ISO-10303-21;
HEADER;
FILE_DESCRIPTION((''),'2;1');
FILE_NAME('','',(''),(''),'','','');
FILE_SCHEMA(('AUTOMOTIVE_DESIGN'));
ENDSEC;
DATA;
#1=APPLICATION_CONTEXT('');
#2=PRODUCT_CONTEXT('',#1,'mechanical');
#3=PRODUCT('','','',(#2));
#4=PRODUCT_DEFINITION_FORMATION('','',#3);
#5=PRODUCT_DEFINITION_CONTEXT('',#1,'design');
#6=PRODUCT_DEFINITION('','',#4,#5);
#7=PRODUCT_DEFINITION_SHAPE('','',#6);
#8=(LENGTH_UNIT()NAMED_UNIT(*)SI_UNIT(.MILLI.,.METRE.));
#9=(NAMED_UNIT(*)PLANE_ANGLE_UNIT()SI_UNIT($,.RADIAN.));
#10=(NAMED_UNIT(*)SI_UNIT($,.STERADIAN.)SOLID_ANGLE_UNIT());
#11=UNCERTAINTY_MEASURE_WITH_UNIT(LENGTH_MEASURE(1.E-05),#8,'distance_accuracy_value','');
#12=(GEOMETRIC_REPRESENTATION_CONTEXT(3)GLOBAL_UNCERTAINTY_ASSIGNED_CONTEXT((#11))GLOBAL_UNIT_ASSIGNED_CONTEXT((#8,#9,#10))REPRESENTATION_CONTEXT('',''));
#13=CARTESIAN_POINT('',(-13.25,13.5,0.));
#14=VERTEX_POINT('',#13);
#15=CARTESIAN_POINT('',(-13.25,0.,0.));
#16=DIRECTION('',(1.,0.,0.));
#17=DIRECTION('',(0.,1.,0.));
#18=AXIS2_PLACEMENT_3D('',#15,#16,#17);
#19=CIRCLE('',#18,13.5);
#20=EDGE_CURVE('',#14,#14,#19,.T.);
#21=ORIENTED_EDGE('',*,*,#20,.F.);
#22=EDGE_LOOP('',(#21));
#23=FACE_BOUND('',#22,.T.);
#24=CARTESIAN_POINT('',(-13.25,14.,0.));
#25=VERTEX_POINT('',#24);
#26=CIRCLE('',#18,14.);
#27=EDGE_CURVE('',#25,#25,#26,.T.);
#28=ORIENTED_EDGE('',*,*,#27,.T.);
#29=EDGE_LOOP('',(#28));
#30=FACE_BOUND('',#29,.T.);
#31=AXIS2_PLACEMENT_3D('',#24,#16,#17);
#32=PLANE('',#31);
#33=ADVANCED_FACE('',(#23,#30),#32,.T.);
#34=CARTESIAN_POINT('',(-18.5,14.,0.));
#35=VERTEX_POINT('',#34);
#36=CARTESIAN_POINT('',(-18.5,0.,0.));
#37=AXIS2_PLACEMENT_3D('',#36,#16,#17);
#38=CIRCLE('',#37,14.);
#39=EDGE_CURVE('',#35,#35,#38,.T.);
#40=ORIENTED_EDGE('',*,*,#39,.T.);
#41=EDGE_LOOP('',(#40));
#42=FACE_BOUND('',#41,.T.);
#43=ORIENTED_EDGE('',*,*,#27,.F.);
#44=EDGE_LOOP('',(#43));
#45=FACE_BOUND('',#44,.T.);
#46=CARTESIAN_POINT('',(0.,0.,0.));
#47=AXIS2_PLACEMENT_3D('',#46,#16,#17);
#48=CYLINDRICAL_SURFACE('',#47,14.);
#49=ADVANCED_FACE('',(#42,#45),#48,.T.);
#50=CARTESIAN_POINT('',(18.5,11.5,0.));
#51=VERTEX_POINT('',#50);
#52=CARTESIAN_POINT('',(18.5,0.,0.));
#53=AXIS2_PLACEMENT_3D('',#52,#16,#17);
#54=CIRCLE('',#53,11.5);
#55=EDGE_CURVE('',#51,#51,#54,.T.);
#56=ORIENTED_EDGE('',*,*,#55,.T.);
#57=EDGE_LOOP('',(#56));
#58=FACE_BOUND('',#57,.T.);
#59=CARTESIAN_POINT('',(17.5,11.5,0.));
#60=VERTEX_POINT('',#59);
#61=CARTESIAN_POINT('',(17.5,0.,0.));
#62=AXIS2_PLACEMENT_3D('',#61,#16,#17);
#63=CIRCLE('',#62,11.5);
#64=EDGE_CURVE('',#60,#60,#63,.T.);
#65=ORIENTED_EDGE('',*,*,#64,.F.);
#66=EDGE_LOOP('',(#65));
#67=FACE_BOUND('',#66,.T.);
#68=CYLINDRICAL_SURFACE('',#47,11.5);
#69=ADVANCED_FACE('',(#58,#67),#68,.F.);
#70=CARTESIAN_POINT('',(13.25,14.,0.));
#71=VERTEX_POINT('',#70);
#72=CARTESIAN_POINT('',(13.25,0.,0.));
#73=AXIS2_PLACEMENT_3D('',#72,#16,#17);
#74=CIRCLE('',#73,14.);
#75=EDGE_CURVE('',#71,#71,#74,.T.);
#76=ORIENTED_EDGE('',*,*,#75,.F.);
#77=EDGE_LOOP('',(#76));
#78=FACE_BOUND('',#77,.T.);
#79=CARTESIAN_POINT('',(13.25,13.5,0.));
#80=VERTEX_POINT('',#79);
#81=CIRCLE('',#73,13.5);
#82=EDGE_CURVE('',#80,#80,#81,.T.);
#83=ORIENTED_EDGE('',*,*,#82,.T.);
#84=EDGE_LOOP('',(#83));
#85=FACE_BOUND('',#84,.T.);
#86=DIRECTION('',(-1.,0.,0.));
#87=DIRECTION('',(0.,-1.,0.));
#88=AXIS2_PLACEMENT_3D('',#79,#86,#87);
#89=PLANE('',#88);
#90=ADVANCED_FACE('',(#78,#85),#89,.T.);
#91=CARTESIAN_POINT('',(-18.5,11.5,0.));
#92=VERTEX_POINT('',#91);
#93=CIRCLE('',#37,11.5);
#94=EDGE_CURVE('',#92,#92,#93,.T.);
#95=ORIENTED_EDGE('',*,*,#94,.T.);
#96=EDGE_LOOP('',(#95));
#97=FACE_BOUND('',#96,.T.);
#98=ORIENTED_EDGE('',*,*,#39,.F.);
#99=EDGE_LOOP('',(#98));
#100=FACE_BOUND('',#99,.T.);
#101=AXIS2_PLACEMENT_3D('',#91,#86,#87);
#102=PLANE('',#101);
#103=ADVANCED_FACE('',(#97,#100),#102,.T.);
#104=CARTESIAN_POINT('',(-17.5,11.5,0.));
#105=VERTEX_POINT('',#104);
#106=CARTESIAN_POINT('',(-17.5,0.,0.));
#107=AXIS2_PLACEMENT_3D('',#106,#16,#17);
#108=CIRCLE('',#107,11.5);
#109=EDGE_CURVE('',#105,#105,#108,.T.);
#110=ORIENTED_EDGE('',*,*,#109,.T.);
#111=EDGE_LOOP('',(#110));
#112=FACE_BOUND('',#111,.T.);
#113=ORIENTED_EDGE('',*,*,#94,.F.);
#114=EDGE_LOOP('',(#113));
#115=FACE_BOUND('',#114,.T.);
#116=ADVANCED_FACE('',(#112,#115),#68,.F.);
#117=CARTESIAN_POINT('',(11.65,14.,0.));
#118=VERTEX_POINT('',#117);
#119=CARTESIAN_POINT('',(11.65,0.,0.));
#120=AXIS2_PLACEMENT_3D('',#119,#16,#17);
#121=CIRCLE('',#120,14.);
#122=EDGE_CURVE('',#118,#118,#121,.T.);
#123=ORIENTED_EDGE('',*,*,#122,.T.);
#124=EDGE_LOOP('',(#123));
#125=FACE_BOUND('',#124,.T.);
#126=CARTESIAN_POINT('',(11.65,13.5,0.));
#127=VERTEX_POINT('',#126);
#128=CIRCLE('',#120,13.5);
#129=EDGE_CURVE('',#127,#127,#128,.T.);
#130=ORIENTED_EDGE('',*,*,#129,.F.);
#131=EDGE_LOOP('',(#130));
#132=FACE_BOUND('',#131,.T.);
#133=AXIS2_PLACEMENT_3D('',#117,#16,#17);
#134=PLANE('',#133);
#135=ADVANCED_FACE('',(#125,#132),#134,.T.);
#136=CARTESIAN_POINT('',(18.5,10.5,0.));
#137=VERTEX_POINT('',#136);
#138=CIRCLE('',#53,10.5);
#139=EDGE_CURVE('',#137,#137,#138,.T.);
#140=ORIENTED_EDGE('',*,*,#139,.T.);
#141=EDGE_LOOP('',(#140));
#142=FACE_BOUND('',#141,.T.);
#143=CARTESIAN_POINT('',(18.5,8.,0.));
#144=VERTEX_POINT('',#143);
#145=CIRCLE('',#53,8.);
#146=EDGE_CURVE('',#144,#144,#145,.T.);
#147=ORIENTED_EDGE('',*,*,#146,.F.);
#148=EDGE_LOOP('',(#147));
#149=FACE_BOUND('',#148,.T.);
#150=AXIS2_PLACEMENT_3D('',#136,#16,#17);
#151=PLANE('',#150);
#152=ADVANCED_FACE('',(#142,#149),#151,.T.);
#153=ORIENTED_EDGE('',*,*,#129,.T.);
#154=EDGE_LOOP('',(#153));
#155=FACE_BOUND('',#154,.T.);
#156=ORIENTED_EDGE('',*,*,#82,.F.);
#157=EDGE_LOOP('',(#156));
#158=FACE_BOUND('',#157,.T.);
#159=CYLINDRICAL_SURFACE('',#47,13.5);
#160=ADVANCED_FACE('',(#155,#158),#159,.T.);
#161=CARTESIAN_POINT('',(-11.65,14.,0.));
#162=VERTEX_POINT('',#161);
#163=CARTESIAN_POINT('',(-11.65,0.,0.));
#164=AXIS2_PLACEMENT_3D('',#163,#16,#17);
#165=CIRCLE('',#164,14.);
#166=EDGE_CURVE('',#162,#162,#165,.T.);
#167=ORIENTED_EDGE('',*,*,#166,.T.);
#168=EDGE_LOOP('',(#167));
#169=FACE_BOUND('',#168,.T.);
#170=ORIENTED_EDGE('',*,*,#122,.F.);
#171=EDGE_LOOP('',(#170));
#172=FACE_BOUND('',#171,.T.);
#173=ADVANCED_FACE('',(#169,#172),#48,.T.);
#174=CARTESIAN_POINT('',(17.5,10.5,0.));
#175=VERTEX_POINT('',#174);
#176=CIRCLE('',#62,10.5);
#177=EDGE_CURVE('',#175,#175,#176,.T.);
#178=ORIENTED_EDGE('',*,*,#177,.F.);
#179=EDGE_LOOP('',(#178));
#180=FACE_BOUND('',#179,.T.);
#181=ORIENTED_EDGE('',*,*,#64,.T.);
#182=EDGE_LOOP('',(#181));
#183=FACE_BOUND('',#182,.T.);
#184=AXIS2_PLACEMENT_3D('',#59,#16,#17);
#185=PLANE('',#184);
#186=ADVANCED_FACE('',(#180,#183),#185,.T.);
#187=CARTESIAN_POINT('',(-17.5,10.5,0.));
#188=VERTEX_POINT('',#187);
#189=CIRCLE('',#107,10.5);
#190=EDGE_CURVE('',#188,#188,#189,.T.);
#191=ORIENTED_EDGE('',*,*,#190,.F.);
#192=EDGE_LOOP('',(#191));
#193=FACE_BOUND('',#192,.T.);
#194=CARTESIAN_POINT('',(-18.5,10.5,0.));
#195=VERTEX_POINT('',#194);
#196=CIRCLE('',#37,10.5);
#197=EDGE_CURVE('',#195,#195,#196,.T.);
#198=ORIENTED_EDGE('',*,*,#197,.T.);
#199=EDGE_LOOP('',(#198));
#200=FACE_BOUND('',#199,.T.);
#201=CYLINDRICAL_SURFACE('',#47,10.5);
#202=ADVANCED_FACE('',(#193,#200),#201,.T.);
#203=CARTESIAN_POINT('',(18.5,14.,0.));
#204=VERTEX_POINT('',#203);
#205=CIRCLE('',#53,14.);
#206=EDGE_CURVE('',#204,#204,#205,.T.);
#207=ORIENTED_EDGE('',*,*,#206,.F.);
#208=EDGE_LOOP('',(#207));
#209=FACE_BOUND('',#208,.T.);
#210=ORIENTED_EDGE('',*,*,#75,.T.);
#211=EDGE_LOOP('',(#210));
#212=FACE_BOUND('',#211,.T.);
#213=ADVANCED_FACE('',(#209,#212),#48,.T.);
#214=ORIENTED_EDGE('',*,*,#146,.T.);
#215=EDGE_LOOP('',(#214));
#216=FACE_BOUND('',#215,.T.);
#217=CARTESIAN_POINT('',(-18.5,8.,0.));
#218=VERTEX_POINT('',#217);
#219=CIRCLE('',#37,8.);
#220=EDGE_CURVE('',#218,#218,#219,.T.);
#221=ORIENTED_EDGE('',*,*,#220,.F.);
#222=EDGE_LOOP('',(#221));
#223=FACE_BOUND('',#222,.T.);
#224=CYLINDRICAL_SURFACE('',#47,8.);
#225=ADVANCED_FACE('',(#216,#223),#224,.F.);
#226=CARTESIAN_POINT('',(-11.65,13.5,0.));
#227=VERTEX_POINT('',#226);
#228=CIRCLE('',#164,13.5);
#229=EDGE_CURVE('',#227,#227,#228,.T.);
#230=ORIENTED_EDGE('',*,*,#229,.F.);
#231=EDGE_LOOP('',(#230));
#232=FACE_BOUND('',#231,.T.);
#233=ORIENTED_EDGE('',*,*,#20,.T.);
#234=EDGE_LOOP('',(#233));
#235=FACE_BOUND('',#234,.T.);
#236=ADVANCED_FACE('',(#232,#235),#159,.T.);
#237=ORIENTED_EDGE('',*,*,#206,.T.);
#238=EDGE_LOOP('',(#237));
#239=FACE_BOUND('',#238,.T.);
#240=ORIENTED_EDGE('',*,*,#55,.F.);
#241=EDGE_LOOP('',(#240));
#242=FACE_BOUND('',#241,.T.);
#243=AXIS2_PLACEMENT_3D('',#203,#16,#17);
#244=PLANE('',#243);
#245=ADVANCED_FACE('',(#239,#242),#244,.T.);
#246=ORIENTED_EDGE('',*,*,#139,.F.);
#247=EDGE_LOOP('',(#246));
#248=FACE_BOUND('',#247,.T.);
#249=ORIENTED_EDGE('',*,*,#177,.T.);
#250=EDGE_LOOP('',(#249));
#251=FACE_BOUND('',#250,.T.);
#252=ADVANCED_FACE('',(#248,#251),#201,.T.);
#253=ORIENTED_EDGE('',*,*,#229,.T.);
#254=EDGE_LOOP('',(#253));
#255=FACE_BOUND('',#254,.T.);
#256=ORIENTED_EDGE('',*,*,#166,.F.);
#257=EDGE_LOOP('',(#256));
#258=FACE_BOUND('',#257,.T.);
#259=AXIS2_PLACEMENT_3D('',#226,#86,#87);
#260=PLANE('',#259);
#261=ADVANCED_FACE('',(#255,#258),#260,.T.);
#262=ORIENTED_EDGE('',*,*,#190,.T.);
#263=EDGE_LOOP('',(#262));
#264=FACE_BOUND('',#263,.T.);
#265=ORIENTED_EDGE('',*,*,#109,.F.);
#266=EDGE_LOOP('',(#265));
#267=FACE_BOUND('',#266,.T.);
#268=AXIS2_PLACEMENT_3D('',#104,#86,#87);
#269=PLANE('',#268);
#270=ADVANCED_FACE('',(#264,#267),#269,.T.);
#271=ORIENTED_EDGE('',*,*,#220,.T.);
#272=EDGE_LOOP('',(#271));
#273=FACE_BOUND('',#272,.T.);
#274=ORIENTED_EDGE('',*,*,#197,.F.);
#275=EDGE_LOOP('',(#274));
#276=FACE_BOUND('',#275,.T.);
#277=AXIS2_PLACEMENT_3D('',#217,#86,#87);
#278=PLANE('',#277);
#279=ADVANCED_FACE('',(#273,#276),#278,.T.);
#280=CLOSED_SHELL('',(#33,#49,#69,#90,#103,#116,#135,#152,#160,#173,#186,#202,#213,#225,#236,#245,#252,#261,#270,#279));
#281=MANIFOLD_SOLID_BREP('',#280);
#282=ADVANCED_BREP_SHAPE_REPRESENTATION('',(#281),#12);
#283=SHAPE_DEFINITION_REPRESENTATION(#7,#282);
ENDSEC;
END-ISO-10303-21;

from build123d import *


with BuildPart() as part:
    # Esboço1 → Revolução1 (revolve)
    with BuildSketch(Plane.XY):
        Polygon((-18.5, 14), (-13.25, 14), (-13.25, 13.5), (-11.65, 13.5), (-11.65, 14), (11.65, 14), (11.65, 13.5), (13.25, 13.5), (13.25, 14), (18.5, 14), (18.5, 11.5), (17.5, 11.5), (17.5, 10.5), (18.5, 10.5), (18.5, 8), (-18.5, 8), (-18.5, 10.5), (-17.5, 10.5), (-17.5, 11.5), (-18.5, 11.5), align=None)
    revolve(axis=Axis((0, 0, 0), (-1, 0, 0)))


solid = part.part
